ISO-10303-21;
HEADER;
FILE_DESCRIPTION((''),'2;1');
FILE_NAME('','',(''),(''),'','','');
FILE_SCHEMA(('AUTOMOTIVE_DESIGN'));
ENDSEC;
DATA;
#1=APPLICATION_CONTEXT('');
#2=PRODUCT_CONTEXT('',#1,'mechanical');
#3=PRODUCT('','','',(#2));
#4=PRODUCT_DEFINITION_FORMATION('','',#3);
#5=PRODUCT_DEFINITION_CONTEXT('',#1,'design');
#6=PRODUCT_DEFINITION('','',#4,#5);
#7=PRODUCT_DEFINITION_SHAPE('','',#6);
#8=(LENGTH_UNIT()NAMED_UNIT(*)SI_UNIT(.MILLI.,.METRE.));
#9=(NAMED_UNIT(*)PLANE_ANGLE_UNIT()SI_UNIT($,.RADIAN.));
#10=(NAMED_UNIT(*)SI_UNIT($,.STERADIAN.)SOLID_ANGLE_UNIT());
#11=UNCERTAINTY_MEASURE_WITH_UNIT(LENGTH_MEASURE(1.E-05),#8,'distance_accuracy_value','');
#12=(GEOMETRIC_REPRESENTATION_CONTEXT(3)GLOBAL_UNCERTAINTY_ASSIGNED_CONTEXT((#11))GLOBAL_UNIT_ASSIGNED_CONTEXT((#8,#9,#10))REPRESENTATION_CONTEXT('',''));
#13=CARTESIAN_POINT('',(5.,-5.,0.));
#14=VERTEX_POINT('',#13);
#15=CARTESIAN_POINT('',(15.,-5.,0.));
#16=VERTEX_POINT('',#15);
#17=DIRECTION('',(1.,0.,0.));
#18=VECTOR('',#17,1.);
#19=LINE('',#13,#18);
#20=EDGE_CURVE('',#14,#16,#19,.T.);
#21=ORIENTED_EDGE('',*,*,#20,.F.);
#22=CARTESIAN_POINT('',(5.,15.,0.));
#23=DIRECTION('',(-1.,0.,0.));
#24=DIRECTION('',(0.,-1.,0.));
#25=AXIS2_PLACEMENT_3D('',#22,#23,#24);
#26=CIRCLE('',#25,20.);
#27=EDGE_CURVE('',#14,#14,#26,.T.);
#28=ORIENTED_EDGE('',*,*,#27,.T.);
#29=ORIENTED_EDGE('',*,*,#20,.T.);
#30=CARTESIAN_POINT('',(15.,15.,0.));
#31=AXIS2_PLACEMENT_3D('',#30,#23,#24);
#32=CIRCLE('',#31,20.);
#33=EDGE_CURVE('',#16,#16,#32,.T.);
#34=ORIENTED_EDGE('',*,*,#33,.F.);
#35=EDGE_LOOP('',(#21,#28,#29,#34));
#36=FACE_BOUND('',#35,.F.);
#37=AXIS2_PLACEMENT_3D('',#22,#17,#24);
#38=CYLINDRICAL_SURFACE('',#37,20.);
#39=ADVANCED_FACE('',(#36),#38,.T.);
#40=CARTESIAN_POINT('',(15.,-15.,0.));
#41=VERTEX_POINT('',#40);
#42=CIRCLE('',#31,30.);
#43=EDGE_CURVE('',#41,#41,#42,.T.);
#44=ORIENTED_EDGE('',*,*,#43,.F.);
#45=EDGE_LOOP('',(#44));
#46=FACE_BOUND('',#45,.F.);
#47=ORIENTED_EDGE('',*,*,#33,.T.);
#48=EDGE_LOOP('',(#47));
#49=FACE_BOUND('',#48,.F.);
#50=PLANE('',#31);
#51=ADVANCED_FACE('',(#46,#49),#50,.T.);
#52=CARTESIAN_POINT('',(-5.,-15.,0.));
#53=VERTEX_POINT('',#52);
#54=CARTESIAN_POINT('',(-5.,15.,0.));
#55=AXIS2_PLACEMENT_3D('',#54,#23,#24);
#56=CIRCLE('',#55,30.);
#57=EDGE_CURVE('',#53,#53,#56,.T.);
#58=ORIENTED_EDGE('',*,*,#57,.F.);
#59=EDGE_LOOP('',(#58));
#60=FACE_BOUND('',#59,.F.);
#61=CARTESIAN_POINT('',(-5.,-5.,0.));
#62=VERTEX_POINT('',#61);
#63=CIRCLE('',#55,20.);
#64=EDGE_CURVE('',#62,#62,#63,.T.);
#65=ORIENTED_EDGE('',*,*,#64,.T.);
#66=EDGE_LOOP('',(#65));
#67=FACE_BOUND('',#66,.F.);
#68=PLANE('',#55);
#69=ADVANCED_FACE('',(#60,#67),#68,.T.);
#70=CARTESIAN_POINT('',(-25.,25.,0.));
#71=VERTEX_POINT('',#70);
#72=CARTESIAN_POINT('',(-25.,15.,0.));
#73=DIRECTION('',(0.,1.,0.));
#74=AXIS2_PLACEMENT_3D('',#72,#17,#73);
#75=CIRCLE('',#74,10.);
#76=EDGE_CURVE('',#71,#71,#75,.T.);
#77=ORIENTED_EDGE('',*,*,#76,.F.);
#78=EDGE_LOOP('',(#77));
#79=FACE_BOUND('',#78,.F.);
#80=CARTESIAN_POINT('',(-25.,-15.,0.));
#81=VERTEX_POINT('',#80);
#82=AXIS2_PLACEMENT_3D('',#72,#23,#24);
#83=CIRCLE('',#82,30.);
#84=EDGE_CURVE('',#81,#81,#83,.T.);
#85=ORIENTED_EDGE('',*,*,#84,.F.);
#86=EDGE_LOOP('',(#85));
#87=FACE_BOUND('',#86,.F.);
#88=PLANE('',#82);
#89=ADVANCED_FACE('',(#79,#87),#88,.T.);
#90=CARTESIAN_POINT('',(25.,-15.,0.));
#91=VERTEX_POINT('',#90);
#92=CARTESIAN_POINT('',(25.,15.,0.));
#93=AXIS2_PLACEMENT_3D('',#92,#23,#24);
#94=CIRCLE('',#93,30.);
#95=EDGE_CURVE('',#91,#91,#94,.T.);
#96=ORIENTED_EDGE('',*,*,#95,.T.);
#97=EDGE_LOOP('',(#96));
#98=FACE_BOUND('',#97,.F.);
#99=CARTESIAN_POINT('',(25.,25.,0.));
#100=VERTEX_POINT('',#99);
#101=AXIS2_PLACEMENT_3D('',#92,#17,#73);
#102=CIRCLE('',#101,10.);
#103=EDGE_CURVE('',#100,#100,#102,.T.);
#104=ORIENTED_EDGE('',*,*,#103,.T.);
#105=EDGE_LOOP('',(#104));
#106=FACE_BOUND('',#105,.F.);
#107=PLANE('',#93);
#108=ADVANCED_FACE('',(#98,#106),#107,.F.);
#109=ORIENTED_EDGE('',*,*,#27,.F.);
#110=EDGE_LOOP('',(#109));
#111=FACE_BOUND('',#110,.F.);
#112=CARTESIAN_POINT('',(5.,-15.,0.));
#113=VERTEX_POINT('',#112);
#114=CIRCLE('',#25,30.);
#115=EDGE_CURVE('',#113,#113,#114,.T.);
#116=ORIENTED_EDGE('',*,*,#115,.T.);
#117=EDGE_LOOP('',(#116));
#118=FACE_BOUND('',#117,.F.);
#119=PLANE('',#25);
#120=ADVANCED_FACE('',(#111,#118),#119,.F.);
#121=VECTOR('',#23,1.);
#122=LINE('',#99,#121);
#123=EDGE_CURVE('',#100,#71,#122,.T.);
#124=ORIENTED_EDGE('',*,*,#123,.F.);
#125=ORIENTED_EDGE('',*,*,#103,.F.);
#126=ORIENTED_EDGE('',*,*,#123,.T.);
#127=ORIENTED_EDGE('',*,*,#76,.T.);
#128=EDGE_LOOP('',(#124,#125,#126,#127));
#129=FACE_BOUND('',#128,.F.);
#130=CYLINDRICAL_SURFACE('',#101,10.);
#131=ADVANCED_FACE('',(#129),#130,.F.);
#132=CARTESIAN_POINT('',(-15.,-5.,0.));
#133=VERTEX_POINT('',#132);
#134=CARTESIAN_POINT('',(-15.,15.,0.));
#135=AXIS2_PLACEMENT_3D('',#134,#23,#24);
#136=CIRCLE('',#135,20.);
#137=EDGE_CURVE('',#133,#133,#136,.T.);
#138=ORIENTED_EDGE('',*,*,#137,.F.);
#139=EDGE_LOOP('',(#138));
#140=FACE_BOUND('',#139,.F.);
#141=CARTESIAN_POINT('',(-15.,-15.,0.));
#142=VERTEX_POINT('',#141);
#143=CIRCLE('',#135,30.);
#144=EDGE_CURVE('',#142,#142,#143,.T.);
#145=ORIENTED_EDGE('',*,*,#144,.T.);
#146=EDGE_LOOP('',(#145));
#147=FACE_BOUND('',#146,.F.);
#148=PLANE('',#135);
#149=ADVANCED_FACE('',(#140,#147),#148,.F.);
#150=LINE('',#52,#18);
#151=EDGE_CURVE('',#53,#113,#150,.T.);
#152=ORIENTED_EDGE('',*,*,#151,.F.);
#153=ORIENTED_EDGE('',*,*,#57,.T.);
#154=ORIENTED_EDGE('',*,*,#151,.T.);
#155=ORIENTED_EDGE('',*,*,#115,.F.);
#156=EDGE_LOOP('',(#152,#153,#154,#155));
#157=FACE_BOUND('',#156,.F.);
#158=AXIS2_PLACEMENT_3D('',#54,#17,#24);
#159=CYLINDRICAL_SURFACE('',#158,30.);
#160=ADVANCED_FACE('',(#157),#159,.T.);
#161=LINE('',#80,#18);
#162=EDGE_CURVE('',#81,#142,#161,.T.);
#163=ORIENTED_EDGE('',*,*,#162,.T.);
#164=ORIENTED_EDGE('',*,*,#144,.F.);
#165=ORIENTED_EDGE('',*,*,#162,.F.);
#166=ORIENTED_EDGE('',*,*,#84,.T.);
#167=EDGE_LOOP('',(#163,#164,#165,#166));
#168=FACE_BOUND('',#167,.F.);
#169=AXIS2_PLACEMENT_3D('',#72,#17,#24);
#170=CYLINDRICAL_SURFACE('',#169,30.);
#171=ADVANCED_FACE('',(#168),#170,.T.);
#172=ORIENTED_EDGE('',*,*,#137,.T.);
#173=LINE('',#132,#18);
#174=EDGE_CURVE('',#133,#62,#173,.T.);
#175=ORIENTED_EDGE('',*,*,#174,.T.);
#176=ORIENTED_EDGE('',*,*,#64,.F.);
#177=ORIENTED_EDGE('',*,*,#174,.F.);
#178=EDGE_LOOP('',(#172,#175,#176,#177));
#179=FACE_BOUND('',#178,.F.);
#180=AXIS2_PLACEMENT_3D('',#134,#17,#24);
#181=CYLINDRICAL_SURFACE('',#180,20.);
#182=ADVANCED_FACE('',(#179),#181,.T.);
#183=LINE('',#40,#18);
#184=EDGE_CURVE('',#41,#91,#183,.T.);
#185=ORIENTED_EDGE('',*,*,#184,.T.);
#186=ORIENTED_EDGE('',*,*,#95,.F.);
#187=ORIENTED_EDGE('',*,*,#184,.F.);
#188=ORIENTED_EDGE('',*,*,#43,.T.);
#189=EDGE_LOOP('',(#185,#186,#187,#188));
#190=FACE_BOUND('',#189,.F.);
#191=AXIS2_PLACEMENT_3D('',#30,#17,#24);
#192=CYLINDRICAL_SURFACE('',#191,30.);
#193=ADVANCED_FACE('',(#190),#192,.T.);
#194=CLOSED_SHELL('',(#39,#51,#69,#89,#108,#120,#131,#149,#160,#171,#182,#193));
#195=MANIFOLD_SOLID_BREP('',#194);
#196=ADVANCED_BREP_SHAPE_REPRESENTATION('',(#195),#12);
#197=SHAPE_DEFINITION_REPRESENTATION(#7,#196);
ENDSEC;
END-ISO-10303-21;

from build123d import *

# Parameters (mm, degrees)
F2_R     = 10
F3_DEPTH = 50


with BuildPart() as f1:
    # F0 (on Top) → F1 (revolve)
    with BuildSketch(Plane.XY):
        Polygon((15, -15), (25, -15), (25, 15), (-25, 15), (-25, -15), (-15, -15), (-15, -5), (-5, -5), (-5, -15), (5, -15), (5, -5), (15, -5), align=None)
    revolve(axis=Axis((0, 15, 0), (-1, 0, 0)))

    # F2 (on face) → F3 (cut)
    with BuildSketch(Plane.YZ.offset(25)):
        with Locations((15, 0)):
            Circle(F2_R)
    extrude(amount=-F3_DEPTH, mode=Mode.SUBTRACT)


solid = f1.part
